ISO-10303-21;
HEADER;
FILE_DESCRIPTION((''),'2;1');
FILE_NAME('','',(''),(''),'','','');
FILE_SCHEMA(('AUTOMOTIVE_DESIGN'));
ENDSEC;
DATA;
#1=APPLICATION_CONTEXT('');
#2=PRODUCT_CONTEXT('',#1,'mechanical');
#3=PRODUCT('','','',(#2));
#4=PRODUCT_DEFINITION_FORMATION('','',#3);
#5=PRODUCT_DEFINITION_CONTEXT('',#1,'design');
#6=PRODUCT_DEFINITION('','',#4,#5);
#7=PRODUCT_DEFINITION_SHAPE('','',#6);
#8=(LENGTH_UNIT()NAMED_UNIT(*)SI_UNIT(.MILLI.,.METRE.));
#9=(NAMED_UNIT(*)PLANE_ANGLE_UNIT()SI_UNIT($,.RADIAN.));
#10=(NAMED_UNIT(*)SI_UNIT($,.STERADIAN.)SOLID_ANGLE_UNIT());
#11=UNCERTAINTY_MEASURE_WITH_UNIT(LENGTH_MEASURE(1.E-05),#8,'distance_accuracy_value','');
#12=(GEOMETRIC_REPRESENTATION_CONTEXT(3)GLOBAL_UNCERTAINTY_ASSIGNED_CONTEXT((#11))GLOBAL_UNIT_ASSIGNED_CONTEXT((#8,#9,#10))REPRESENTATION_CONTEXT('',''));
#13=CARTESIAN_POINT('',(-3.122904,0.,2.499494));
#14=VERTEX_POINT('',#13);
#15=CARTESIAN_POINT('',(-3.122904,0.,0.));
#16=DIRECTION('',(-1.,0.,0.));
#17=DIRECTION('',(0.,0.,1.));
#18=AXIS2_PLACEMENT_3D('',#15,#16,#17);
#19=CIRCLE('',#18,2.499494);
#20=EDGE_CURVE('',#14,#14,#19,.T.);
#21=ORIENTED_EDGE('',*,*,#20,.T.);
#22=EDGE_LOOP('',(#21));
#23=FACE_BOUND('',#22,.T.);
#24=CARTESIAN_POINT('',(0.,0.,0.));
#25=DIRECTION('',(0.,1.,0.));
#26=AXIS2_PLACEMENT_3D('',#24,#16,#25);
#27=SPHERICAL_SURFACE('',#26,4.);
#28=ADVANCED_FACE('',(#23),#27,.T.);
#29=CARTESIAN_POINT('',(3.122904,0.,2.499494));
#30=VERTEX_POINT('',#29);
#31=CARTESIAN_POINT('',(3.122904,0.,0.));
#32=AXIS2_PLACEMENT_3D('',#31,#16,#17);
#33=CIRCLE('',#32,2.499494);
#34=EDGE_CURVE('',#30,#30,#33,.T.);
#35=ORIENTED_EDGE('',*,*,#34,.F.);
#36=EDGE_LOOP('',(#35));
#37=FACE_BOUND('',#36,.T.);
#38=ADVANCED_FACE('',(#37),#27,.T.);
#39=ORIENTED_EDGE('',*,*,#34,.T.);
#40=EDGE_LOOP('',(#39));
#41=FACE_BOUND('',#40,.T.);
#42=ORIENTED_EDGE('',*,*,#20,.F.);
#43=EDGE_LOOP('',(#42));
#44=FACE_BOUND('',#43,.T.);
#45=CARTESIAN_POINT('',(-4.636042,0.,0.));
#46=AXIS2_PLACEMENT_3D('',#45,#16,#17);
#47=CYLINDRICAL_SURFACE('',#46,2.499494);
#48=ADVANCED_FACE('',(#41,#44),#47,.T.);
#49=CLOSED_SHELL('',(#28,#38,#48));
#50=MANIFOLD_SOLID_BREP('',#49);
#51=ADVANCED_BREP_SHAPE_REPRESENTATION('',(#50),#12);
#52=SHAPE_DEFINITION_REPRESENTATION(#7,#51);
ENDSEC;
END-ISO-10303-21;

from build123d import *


with BuildPart() as part:
    # 草图1 → 旋转1 (revolve)
    with BuildSketch(Plane.XY):
        with BuildLine():
            Line((-3.122904182, 2.499493843), (3.122904182, 2.499493843))
            ThreePointArc((3.122904182, 2.499493843), (3.774361981, 1.324458998), (4, 0))
            Line((4, 0), (-4, 0))
            ThreePointArc((-4, 0), (-3.774361981, 1.324458998), (-3.122904182, 2.499493843))
        make_face()
    revolve(axis=Axis((-4.63604152, 0, 0), (1, 0, 0)))


solid = part.part
